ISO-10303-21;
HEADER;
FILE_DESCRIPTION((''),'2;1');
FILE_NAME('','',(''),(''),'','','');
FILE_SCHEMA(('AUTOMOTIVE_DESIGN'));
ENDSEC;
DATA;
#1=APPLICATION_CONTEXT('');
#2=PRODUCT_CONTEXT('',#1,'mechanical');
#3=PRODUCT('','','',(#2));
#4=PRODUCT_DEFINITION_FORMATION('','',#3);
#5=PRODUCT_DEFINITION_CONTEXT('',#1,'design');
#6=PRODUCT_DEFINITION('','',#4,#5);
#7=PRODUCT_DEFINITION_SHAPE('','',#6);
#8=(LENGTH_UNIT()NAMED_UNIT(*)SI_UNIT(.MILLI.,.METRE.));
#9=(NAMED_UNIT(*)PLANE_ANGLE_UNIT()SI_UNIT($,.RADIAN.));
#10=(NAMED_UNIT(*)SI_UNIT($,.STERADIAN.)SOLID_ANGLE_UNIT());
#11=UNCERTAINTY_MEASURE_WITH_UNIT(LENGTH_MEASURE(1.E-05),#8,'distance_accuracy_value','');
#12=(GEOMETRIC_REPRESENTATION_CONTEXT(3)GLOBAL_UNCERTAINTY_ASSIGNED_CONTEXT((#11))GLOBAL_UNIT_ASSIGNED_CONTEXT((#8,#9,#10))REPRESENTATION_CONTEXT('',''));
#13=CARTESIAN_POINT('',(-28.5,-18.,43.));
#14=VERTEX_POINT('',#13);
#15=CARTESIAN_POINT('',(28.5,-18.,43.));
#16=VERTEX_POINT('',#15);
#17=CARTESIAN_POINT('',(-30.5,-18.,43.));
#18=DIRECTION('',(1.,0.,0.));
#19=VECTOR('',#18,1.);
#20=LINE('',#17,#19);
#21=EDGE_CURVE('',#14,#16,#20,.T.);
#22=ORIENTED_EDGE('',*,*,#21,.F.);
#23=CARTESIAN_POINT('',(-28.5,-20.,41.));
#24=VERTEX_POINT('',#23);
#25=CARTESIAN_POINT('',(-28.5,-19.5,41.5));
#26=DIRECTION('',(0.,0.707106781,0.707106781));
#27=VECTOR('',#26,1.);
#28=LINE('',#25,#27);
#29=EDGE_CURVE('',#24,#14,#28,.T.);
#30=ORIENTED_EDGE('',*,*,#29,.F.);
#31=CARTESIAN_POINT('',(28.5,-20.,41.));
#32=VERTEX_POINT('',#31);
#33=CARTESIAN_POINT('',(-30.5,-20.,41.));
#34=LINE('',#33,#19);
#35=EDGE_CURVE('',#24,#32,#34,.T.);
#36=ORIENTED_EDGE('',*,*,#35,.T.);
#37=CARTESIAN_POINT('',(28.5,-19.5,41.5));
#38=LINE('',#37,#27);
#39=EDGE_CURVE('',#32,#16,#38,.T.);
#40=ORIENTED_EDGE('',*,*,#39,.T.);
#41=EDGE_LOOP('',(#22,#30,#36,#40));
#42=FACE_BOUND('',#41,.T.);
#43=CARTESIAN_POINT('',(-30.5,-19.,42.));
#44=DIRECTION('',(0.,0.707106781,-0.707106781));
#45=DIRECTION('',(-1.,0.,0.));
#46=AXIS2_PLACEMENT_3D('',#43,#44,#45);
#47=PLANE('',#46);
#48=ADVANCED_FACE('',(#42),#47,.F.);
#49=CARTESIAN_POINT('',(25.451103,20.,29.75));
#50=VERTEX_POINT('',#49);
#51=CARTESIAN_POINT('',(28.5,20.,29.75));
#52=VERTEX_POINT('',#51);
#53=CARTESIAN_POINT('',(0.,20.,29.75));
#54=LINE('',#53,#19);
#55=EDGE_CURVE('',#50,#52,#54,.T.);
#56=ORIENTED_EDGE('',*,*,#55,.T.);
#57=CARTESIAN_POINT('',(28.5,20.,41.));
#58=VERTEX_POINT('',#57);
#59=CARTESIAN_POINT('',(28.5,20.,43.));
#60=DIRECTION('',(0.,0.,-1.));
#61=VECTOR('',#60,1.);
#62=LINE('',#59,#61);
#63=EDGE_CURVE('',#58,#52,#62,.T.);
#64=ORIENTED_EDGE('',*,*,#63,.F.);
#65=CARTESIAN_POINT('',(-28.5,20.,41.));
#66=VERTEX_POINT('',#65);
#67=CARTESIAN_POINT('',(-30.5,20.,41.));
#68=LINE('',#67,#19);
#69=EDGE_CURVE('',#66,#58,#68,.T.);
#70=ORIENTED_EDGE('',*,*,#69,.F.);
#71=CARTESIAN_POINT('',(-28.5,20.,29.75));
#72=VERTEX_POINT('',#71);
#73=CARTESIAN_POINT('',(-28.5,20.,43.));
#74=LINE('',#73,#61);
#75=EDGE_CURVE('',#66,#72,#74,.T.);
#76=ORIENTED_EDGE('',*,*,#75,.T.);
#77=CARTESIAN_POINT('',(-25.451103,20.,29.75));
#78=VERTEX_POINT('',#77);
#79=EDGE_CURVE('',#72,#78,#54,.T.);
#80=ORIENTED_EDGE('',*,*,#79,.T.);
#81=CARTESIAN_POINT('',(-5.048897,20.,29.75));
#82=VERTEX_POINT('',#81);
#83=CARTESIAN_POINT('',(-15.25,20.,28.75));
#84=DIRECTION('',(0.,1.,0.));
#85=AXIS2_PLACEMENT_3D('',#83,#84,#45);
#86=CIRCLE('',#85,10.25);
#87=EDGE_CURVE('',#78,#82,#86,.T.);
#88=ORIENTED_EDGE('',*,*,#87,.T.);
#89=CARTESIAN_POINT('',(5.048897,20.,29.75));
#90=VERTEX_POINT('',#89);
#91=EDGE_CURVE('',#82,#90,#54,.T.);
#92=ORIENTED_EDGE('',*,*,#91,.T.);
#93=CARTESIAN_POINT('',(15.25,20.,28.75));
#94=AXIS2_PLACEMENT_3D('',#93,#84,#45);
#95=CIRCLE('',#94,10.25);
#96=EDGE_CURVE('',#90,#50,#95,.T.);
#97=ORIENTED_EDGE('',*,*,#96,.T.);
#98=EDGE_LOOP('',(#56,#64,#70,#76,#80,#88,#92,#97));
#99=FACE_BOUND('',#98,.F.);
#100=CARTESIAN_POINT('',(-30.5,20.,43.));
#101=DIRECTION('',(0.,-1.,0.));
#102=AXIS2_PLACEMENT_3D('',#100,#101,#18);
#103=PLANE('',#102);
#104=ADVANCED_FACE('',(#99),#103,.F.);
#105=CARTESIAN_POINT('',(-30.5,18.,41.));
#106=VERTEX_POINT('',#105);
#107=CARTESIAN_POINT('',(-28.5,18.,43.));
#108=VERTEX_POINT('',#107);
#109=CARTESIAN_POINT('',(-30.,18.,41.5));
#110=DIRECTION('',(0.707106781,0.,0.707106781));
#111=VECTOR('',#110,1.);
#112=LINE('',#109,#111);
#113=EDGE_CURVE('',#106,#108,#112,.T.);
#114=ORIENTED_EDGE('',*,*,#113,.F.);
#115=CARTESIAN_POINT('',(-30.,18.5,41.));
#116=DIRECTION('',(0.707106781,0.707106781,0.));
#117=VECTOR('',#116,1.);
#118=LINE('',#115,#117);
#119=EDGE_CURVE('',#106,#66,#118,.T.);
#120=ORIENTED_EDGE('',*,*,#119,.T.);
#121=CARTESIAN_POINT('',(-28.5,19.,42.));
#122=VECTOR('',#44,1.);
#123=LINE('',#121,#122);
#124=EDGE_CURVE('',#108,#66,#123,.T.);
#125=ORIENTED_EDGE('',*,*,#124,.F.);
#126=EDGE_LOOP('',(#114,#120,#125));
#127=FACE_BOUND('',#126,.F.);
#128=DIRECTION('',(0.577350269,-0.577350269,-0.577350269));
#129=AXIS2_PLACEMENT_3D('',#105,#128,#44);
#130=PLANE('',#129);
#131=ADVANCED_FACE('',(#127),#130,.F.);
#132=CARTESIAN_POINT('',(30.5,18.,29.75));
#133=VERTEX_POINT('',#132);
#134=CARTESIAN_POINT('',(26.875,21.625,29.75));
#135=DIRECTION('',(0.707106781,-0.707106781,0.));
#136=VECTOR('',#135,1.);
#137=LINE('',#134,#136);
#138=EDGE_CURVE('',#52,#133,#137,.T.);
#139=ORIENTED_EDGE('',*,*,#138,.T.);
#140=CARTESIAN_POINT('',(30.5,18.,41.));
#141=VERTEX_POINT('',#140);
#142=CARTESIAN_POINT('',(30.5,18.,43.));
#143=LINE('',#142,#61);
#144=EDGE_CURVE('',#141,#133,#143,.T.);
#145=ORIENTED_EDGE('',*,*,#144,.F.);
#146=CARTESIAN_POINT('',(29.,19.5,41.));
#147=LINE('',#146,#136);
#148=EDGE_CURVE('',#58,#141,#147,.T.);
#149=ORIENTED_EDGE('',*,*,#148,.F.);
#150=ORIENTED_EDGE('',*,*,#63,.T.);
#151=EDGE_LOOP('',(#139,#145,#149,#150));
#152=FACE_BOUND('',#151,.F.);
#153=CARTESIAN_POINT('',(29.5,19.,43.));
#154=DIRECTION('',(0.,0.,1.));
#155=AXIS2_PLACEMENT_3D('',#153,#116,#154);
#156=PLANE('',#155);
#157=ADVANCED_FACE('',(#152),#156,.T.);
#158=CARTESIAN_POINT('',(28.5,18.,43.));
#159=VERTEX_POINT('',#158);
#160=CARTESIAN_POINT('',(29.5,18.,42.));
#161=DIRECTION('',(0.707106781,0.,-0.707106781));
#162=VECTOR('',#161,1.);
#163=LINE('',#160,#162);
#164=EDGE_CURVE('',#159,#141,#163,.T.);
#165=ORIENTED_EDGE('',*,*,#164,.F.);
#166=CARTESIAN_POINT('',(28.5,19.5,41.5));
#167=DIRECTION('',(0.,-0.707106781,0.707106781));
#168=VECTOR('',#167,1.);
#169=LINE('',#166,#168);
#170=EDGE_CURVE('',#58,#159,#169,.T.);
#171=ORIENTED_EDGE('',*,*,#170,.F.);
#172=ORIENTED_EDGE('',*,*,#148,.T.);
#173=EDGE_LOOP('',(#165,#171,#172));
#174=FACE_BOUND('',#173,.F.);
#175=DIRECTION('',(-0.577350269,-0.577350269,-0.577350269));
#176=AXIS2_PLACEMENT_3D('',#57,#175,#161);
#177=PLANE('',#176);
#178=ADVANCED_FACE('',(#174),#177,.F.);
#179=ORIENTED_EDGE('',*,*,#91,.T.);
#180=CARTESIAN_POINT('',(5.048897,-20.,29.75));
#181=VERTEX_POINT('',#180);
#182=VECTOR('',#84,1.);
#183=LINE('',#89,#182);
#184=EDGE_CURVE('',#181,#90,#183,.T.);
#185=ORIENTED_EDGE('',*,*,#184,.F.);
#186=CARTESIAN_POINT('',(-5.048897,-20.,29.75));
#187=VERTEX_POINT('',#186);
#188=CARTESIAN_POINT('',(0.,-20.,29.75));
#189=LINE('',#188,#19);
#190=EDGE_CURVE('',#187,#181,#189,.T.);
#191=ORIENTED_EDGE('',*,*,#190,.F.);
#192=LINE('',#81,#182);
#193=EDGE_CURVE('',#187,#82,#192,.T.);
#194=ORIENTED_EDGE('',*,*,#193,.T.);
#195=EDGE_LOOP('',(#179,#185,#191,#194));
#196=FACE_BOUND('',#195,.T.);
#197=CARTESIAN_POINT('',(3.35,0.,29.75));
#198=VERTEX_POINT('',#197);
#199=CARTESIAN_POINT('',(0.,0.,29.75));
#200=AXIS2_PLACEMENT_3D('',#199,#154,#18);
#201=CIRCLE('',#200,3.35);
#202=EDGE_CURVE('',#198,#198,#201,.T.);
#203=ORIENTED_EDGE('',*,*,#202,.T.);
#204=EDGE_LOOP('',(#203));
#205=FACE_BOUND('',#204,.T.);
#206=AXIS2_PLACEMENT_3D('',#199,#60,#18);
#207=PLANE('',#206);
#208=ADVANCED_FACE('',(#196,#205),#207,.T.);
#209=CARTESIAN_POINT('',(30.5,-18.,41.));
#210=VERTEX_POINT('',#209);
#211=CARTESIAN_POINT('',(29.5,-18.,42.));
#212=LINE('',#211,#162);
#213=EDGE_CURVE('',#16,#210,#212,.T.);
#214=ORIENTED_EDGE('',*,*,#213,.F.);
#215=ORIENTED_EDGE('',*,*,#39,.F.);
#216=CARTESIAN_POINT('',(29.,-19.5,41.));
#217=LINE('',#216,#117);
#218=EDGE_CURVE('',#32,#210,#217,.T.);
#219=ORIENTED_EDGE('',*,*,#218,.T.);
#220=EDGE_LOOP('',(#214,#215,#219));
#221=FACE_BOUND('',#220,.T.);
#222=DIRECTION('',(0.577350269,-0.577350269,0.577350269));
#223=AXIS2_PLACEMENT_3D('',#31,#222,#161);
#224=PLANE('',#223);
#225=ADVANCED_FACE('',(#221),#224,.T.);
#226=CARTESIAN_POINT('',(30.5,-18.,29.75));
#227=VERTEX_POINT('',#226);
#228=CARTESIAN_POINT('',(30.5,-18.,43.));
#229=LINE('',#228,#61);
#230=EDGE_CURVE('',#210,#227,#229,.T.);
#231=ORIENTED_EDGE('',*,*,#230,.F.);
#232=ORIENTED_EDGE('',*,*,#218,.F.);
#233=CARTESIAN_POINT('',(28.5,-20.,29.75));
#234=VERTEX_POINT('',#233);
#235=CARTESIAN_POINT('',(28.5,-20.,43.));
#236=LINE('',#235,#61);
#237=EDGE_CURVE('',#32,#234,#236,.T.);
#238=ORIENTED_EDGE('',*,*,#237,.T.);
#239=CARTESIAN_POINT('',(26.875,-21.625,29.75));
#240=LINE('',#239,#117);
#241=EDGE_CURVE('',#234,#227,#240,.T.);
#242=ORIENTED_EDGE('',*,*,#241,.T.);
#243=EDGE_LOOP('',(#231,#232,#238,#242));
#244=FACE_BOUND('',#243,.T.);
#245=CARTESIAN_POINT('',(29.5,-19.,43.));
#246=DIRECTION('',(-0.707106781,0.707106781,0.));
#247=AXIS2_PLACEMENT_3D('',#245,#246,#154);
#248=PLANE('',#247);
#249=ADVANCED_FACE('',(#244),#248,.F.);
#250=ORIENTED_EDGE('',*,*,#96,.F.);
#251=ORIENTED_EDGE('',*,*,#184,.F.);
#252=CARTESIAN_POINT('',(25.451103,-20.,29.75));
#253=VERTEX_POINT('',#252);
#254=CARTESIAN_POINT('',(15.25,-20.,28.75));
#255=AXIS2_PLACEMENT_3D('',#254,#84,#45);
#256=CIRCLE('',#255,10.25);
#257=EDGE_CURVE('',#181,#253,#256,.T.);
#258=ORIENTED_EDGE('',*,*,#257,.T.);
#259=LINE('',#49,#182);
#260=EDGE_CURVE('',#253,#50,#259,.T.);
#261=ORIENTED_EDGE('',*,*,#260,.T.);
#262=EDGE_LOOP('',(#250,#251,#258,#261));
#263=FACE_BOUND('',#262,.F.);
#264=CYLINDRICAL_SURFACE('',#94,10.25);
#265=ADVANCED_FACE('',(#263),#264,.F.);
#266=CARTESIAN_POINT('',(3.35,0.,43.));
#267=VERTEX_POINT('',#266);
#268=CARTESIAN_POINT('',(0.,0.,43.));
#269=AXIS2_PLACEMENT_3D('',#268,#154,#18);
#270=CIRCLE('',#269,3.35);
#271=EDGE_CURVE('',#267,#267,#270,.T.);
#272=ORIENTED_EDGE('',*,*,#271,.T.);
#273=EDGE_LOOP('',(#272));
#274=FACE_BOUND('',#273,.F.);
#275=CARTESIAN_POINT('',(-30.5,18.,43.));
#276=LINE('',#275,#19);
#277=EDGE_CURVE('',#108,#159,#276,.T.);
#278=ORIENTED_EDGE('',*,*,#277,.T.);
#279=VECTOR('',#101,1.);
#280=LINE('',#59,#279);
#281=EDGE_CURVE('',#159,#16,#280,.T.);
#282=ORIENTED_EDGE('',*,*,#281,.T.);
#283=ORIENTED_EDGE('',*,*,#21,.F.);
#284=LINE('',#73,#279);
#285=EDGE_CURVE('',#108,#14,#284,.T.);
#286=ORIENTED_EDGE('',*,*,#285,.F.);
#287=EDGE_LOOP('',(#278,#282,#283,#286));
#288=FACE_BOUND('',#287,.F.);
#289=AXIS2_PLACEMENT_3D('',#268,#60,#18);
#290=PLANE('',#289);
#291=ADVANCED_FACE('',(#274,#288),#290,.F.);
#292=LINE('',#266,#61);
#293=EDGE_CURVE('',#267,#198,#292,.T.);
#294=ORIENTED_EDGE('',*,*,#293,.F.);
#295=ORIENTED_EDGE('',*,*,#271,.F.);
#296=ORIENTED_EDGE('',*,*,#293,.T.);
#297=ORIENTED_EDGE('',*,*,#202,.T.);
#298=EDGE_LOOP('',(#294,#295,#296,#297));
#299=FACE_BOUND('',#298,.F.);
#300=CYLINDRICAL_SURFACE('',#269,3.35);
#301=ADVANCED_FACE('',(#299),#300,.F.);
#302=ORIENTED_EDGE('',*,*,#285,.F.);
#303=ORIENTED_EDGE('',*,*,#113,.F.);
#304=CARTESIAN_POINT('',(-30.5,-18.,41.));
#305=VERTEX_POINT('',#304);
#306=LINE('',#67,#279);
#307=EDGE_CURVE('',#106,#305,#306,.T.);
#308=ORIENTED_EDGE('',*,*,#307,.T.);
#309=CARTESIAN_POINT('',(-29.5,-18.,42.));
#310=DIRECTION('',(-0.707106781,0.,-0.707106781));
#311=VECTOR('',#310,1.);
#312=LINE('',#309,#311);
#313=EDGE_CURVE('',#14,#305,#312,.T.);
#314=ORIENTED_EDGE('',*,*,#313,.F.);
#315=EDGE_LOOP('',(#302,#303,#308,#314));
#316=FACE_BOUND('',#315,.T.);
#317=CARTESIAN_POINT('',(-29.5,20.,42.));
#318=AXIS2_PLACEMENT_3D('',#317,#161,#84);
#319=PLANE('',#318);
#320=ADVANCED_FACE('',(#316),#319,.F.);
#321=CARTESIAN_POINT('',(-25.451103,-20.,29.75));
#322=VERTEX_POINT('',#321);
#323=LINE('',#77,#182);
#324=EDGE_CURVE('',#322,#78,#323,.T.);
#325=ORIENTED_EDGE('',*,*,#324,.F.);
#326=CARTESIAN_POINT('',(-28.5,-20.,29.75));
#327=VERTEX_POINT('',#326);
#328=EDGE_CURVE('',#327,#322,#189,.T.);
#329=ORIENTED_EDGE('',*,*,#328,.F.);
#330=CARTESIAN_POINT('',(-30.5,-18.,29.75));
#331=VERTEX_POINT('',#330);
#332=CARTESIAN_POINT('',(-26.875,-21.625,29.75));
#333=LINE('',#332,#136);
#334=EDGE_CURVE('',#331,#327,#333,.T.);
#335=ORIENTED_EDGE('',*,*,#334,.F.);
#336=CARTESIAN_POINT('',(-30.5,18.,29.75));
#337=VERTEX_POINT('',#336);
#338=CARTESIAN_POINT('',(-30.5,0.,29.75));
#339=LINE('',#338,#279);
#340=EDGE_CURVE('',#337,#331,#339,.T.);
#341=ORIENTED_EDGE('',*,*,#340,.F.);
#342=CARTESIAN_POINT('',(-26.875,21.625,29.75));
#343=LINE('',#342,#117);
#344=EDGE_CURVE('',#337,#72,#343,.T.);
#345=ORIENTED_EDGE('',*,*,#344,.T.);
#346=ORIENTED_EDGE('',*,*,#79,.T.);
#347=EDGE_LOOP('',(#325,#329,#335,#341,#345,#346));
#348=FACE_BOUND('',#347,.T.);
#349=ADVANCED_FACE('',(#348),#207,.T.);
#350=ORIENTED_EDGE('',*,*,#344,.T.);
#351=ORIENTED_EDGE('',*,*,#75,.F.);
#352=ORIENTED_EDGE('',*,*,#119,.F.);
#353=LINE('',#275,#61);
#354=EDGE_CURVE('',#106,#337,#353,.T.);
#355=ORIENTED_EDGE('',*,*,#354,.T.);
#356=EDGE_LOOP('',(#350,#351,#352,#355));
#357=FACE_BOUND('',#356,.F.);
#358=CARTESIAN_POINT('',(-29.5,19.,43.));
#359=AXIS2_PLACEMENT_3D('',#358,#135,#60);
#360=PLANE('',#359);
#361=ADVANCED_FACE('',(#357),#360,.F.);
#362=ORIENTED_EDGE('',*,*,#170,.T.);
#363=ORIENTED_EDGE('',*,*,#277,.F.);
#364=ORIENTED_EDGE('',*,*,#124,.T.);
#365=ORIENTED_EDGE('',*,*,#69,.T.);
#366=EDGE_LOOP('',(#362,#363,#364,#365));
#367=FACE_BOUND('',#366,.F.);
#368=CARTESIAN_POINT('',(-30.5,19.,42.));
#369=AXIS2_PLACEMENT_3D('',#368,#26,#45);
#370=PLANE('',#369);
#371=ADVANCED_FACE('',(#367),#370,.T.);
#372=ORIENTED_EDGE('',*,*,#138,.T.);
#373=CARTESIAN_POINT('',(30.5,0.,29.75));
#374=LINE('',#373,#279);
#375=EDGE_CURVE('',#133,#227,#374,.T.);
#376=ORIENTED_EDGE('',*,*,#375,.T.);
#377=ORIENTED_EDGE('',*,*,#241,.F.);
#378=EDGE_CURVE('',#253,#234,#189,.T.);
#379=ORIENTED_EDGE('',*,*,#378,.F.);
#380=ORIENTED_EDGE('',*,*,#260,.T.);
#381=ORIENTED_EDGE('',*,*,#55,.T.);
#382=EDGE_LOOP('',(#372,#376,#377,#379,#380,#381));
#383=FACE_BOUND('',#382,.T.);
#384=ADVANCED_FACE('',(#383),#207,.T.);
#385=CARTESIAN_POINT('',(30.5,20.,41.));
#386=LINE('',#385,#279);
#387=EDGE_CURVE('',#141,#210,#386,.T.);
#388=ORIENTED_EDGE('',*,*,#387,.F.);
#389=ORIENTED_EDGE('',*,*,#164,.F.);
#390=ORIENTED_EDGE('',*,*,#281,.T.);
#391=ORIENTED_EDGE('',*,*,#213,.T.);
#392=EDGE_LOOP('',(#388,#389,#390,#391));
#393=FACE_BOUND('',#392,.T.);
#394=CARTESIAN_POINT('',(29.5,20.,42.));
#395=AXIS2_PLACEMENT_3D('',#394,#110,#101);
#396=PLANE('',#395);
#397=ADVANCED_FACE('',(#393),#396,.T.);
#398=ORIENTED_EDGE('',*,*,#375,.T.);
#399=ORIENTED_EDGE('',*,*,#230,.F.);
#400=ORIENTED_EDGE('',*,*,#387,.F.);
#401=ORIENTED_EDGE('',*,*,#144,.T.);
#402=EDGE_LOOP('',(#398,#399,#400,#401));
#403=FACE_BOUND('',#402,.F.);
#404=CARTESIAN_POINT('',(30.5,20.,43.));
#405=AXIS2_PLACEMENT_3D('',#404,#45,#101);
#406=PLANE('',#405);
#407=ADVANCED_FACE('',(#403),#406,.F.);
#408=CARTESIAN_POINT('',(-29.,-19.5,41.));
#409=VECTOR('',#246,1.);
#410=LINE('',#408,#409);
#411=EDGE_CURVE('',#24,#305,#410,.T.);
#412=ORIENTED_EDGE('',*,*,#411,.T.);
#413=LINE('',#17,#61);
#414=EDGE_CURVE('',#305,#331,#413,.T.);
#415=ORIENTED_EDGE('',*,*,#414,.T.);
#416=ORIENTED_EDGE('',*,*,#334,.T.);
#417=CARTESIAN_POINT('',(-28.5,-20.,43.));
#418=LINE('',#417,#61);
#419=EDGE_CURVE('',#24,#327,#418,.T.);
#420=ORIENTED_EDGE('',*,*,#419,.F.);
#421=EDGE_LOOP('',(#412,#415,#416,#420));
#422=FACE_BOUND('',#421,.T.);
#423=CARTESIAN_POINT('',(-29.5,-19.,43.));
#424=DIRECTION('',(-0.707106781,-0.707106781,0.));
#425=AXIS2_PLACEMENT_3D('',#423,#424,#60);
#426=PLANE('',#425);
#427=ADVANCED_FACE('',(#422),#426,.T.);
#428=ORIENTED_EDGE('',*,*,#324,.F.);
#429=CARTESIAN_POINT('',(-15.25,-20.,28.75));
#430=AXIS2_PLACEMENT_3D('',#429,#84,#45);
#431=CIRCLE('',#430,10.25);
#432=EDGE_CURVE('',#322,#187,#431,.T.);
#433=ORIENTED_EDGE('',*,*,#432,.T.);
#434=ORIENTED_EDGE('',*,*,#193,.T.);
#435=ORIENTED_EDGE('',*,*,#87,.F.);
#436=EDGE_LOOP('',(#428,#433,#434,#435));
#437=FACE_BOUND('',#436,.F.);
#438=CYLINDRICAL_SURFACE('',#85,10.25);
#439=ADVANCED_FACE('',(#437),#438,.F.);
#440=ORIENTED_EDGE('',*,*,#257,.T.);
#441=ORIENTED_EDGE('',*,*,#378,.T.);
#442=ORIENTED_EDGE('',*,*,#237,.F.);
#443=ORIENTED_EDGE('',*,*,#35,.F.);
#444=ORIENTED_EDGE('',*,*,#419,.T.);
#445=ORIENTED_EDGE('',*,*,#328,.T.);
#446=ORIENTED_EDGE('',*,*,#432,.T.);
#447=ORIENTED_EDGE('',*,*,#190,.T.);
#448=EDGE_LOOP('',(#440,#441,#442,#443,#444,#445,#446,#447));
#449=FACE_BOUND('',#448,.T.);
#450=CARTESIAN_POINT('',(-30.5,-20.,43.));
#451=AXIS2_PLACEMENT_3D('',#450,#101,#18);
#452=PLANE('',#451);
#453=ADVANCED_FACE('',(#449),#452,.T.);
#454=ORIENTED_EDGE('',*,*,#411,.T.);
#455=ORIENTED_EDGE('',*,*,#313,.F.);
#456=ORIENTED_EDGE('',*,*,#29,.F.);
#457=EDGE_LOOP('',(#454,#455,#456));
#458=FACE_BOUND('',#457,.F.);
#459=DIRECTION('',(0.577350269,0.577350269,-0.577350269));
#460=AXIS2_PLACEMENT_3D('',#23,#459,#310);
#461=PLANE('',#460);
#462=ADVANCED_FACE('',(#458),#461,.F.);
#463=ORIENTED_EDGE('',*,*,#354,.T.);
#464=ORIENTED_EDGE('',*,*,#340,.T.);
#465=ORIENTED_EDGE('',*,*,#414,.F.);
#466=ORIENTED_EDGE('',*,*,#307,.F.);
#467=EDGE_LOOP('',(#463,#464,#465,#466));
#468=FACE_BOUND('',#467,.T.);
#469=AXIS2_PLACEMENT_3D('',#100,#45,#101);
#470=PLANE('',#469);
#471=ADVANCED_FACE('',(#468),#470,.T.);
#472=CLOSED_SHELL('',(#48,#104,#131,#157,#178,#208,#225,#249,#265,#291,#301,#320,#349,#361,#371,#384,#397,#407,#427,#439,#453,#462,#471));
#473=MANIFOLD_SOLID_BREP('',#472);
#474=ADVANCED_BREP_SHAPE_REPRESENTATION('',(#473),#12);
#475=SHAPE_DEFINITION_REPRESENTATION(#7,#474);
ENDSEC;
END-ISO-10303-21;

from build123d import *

# Parameters (mm, degrees)
SKETCH002_W             = 61
SKETCH002_H             = 40
PAD001_DEPTH            = 13.25
POCKET_DEPTH            = 40
SKETCH007_R             = 3.35
POCKET001_DEPTH         = 13.25
CHAMFER_SIZE            = 2
BODY002_PLACEMENT_ANGLE = 180


with BuildPart() as part:
    # Sketch002 → Pad001 (new body)
    with BuildSketch(Plane.XY):
        Rectangle(SKETCH002_W, SKETCH002_H)
    extrude(amount=PAD001_DEPTH)

    # Sketch003 (on Face3 of Pad001) → Pocket (cut)
    with BuildSketch(Plane.XZ.offset(20)):
        with BuildLine():
            ThreePointArc((-25.5, 14.25), (-15.25, 4), (-5, 14.25))
            Line((-25.5, 14.25), (-5, 14.25))
        make_face()
        with BuildLine():
            ThreePointArc((5, 14.25), (15.25, 4), (25.5, 14.25))
            Line((5, 14.25), (25.5, 14.25))
        make_face()
    extrude(amount=-POCKET_DEPTH, mode=Mode.SUBTRACT)


with BuildPart() as part_1:
    # Body001 placement: moved
    add(part.part.moved(Location((0, 0, 7))))

    # Sketch007 (on DatumPlane) → Pocket001 (cut)
    with BuildSketch(Plane(origin=(0, 0, 7), x_dir=(1, 0, 0), z_dir=(0, 0, -1))):
        Circle(SKETCH007_R)
    extrude(amount=-POCKET001_DEPTH, mode=Mode.SUBTRACT)

    # Chamfer
    chamfer_edges = [part_1.edges().sort_by_distance(p)[0] for p in [
        (30.5, 0, 7),
        (0, -20, 7),
        (-30.5, 0, 7),
        (0, 20, 7),
        (30.5, -20, 13.625),
        (30.5, 20, 13.625),
        (-30.5, 20, 13.625),
        (-30.5, -20, 13.625),
    ]]
    chamfer(chamfer_edges, length=CHAMFER_SIZE)


with BuildPart() as part_2:
    # Body002 placement: moved
    add(part_1.part.moved(Location((0, 0, 50))).rotate(Axis((0, 0, 50), (1, 0, 0)), BODY002_PLACEMENT_ANGLE))


solid = part_2.part
